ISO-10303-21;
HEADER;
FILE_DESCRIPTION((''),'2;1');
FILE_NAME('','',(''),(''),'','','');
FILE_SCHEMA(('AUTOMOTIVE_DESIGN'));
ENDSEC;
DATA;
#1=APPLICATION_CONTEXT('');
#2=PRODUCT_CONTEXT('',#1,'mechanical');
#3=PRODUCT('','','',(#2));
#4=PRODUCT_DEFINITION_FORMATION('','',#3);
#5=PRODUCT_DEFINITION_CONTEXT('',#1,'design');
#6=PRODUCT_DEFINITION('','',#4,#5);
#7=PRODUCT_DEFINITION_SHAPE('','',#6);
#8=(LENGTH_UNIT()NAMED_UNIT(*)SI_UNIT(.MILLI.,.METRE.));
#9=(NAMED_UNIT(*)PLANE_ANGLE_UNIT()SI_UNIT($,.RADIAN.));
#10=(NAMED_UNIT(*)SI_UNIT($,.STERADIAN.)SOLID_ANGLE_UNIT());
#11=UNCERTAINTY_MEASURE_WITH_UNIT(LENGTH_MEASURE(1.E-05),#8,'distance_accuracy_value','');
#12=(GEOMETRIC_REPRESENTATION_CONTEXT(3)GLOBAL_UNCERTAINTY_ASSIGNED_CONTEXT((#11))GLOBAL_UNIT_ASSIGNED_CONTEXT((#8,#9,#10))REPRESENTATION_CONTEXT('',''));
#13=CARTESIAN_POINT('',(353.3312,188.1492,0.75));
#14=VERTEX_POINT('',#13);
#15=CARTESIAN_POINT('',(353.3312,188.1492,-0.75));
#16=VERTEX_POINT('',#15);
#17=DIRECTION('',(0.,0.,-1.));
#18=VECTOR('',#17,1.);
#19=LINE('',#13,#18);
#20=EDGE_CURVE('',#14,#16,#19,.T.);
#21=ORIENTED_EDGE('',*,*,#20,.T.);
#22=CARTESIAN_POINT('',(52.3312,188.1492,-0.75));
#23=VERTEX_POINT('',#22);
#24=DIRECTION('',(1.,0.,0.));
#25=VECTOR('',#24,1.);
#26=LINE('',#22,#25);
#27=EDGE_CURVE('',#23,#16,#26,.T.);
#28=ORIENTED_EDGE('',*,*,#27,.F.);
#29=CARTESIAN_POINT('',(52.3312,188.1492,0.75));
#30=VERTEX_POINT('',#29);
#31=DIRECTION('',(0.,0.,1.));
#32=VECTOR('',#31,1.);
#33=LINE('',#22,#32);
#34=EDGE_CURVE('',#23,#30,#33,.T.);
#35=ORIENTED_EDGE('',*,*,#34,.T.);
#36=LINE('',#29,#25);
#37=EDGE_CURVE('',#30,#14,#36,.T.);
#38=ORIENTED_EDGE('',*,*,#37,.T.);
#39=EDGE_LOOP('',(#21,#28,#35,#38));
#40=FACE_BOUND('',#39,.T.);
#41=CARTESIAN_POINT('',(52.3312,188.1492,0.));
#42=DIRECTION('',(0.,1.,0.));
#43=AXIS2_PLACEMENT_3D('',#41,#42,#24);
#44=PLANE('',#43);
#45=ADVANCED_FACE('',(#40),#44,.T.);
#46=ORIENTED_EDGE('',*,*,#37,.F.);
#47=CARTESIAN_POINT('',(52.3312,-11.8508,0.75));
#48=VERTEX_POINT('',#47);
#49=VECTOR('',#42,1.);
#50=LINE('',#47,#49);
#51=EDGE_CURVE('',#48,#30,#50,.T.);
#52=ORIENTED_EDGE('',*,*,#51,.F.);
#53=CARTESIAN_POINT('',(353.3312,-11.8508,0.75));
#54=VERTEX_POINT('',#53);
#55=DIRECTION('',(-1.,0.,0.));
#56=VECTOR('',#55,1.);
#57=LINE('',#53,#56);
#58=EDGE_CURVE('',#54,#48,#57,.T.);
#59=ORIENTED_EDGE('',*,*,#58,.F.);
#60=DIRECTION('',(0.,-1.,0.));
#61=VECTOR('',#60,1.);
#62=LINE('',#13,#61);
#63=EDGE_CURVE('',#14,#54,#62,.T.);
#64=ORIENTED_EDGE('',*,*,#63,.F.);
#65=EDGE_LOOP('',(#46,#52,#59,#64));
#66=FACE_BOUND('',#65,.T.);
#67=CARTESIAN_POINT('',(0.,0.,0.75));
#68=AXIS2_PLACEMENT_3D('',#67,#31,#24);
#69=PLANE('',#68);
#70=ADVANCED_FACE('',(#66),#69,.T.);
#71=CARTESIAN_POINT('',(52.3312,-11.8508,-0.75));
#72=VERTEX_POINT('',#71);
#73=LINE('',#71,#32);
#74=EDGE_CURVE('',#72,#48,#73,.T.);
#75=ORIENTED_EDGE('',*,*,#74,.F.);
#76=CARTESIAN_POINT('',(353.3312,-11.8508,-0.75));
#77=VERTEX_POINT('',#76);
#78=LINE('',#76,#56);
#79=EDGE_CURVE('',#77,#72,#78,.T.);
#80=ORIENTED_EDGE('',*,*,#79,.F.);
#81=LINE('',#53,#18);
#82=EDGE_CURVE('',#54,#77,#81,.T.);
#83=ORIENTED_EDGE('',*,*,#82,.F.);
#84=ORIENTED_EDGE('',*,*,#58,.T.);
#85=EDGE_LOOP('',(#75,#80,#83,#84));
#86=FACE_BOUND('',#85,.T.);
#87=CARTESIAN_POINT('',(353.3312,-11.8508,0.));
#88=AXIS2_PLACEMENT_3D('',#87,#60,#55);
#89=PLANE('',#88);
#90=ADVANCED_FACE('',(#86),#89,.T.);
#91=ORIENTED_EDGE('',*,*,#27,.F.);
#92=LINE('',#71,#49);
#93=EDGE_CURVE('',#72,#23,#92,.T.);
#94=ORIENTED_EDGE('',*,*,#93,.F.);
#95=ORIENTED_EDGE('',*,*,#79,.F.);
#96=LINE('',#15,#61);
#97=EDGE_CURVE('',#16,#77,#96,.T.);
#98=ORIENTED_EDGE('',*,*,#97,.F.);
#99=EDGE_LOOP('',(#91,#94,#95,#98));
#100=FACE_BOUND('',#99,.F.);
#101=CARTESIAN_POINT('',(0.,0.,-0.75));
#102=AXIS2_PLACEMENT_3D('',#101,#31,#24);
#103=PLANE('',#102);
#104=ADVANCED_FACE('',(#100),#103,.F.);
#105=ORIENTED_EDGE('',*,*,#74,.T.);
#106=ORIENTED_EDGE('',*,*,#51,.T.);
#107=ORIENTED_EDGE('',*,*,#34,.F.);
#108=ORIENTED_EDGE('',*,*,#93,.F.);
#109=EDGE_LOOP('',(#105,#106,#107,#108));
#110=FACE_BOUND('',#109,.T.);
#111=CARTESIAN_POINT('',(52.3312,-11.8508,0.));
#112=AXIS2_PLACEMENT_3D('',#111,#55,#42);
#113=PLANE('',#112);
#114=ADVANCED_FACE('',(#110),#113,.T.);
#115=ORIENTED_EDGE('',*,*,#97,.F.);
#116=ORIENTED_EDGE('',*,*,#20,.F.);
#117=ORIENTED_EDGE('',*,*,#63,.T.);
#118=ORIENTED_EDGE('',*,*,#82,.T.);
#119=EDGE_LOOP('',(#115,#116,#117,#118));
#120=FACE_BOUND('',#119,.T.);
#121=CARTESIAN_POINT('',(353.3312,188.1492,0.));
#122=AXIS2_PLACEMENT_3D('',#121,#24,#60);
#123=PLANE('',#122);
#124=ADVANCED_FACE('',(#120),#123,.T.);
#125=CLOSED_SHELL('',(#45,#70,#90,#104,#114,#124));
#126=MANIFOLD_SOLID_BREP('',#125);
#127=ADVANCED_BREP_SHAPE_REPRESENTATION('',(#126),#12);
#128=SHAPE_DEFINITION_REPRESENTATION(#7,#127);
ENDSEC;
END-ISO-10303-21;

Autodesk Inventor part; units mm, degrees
ref_plane "YZ Plane" through (0, 0, 0) normal (1, 0, 0) x (0, 1, 0)
ref_plane "XZ Plane" through (0, 0, 0) normal (0, 1, 0) x (-1, 0, 0)
ref_plane "XY Plane" through (0, 0, 0) normal (0, 0, 1) x (1, 0, 0)
sketch "Boceto1" plane through (0, 0, 0) normal (0, 0, 1) x (1, 0, 0)
  line L0 (52.3312, 188.1492) -> (353.3312, 188.1492)
  line L1 (353.3312, 188.1492) -> (353.3312, -11.8508)
  line L2 (353.3312, -11.8508) -> (52.3312, -11.8508)
  line L3 (52.3312, -11.8508) -> (52.3312, 188.1492)
  point P0 (0, 0)
  dimension "d0" = 301
  dimension "d1" = 200
extrude "Extrusión1" add sketch "Boceto1" along normal mid plane 1.5
properties part number "parte trasera"
